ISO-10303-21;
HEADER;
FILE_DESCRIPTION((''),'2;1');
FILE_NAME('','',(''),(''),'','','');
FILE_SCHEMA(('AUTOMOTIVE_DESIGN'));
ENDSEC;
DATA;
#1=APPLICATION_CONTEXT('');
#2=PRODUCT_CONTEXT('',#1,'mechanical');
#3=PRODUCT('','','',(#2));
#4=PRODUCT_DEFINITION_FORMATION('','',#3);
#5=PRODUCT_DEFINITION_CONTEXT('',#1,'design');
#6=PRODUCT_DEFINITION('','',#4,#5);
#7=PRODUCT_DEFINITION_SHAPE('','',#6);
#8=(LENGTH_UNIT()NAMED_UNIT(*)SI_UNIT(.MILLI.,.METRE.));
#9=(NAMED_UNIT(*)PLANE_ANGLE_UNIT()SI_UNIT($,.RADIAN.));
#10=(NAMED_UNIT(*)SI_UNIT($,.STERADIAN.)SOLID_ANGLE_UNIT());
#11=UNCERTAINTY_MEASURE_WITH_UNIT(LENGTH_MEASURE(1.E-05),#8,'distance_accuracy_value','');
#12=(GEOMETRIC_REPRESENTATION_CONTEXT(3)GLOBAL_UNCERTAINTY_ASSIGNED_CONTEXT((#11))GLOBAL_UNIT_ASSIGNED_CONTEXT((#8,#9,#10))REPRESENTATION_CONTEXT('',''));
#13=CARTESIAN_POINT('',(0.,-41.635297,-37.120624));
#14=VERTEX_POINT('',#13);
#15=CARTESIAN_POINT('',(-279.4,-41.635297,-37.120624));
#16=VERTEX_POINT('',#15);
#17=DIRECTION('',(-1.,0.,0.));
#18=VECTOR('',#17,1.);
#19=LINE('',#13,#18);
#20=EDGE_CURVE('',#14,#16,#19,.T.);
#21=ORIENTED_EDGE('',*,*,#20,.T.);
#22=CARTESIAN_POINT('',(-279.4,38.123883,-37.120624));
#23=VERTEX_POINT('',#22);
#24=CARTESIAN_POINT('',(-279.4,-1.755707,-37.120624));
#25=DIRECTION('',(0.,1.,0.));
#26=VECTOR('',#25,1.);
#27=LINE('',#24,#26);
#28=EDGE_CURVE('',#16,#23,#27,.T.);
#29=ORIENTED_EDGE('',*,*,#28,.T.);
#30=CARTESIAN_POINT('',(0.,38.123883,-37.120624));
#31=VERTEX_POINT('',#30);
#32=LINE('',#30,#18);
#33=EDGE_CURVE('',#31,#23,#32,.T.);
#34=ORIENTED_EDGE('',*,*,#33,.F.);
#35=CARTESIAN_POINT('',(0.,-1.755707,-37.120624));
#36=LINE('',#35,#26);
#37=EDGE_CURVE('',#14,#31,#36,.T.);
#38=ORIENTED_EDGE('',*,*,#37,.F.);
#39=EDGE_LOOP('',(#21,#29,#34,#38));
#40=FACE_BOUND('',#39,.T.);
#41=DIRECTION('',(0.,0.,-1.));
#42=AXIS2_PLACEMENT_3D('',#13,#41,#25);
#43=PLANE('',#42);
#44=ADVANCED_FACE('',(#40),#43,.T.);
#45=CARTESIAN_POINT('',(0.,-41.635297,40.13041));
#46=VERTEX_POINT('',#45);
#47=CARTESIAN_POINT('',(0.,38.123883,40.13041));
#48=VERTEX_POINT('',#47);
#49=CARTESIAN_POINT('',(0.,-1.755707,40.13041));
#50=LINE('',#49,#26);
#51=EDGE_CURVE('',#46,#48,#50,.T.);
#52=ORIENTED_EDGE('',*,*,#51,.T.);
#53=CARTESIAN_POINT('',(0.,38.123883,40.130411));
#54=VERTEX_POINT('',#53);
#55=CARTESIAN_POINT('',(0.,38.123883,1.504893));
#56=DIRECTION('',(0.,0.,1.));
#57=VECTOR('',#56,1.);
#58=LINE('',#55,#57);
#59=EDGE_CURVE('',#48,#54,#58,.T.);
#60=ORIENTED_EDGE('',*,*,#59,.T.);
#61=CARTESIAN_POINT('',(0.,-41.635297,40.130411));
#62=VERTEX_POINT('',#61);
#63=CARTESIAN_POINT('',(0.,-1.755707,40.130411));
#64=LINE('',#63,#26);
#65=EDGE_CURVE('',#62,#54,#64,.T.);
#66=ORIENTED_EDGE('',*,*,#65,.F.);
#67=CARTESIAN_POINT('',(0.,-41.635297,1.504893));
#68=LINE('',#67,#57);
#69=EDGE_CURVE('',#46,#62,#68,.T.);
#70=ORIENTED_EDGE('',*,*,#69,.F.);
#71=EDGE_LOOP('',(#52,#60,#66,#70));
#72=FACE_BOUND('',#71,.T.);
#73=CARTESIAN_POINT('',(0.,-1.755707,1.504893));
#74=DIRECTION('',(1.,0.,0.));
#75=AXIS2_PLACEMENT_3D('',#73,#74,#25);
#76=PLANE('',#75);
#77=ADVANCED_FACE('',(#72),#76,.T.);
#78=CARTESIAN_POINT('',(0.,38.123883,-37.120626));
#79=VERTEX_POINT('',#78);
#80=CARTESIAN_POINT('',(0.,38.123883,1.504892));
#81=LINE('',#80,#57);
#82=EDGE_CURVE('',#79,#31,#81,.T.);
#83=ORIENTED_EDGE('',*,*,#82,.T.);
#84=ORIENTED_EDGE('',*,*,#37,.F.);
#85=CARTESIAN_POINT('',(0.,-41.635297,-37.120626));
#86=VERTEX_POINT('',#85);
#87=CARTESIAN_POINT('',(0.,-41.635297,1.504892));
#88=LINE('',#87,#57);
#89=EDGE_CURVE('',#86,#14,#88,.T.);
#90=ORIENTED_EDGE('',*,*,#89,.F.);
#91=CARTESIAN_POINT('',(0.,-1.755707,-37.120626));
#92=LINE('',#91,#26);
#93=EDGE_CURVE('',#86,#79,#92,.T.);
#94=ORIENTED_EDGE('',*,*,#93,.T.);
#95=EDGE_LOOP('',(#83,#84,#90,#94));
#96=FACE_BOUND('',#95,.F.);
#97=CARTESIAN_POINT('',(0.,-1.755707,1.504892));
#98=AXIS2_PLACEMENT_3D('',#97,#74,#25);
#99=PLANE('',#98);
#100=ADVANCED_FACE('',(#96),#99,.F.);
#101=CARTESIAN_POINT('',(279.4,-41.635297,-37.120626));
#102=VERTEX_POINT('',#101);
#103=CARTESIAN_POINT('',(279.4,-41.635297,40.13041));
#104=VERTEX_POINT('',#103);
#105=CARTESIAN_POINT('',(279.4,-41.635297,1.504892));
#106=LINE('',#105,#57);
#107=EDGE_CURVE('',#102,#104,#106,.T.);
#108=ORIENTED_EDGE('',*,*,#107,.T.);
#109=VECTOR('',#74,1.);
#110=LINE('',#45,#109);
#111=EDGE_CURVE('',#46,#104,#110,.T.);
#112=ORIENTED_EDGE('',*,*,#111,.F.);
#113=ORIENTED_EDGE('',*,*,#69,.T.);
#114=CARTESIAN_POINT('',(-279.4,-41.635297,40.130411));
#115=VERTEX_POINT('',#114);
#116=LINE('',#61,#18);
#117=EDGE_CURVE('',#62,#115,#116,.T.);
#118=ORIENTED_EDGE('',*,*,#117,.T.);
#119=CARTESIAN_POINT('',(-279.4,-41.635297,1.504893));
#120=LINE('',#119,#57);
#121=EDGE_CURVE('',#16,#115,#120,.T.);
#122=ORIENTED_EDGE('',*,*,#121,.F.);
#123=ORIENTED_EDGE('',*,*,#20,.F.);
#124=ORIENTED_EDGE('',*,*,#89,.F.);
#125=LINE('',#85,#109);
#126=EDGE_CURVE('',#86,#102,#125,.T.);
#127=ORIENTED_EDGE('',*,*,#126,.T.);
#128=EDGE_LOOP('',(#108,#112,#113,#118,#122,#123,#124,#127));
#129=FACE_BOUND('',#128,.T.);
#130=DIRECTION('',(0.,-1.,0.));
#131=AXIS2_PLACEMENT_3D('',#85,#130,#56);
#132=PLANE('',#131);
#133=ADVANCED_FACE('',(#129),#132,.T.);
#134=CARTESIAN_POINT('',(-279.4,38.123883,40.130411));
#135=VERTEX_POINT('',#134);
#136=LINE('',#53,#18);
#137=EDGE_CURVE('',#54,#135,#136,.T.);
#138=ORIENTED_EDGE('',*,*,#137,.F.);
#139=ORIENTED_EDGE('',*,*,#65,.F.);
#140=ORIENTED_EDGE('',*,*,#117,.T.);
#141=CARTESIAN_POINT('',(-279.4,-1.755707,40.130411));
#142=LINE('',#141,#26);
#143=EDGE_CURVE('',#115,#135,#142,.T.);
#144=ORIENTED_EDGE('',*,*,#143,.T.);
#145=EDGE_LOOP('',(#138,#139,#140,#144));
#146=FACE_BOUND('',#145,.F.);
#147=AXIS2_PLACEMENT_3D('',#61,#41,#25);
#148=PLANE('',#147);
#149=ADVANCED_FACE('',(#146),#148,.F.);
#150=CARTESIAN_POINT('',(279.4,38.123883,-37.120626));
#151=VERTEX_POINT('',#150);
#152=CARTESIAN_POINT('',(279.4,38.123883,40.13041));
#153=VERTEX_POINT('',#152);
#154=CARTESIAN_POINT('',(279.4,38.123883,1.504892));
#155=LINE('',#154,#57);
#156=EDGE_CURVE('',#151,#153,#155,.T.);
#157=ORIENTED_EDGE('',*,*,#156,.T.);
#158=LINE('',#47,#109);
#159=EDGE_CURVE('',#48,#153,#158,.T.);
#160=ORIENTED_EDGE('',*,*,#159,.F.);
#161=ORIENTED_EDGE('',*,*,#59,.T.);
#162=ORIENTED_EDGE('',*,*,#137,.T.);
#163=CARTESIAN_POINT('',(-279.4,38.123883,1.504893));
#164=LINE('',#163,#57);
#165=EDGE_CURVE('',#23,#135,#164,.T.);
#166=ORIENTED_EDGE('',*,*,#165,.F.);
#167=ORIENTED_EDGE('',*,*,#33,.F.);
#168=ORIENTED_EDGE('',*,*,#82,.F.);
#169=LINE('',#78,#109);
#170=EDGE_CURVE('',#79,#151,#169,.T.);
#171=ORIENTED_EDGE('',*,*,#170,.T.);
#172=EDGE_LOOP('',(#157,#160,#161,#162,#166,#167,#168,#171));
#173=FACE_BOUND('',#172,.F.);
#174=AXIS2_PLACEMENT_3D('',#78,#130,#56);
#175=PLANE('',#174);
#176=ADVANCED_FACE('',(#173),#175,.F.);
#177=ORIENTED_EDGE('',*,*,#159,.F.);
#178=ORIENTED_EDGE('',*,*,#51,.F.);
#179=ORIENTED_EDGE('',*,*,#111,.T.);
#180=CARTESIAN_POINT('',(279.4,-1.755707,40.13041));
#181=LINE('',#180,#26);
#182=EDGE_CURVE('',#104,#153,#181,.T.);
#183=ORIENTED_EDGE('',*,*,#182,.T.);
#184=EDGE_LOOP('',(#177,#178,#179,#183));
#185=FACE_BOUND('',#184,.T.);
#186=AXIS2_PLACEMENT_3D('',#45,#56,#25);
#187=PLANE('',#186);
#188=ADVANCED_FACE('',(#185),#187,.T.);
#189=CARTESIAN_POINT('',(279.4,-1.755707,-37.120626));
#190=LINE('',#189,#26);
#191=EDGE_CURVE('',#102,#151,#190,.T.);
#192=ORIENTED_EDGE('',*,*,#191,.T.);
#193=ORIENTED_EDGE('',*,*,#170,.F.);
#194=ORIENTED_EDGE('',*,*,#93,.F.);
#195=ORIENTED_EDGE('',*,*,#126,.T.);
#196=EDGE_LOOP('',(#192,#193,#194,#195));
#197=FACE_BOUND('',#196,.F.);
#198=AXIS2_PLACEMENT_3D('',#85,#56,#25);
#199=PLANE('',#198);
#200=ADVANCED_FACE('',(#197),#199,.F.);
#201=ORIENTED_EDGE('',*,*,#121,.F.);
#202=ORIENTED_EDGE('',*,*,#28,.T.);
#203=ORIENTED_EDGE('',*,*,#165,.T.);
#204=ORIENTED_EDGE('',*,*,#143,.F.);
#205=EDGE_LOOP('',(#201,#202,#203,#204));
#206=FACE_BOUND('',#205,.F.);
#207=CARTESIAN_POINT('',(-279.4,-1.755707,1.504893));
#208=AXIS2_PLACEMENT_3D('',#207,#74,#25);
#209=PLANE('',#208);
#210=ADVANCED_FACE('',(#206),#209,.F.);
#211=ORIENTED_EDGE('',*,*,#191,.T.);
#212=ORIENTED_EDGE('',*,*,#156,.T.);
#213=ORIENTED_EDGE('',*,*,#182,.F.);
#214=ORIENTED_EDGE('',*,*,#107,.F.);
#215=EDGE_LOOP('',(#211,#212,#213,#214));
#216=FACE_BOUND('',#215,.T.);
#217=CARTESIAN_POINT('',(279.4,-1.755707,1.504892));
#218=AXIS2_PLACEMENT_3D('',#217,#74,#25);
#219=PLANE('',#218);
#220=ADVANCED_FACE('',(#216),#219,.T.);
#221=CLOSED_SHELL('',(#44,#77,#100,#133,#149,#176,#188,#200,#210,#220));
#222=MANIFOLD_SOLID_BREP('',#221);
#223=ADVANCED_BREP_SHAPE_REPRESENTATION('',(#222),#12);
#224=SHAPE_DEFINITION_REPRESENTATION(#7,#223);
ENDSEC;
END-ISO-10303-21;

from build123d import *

# Parameters (mm, degrees)
F0_W      = 79.75918
F0_H      = 77.251035
F1_DEPTH  = 279.4
F1_FACE_W = 79.75918
F1_FACE_H = 77.251036
F2_DEPTH  = 279.4


with BuildPart() as f1:
    # F0 (on Right) → F1 (new body)
    with BuildSketch(Plane.YZ):
        with Locations((-1.755707, 1.504893)):
            Rectangle(F0_W, F0_H)
    extrude(amount=-F1_DEPTH)

    # F1_face (on face) → F2 (join)
    with BuildSketch(Plane(origin=(0, -1.755707, 1.504892), x_dir=(0, 1, 0), z_dir=(1, 0, 0))):
        Rectangle(F1_FACE_W, F1_FACE_H)
    extrude(amount=F2_DEPTH)


solid = f1.part
